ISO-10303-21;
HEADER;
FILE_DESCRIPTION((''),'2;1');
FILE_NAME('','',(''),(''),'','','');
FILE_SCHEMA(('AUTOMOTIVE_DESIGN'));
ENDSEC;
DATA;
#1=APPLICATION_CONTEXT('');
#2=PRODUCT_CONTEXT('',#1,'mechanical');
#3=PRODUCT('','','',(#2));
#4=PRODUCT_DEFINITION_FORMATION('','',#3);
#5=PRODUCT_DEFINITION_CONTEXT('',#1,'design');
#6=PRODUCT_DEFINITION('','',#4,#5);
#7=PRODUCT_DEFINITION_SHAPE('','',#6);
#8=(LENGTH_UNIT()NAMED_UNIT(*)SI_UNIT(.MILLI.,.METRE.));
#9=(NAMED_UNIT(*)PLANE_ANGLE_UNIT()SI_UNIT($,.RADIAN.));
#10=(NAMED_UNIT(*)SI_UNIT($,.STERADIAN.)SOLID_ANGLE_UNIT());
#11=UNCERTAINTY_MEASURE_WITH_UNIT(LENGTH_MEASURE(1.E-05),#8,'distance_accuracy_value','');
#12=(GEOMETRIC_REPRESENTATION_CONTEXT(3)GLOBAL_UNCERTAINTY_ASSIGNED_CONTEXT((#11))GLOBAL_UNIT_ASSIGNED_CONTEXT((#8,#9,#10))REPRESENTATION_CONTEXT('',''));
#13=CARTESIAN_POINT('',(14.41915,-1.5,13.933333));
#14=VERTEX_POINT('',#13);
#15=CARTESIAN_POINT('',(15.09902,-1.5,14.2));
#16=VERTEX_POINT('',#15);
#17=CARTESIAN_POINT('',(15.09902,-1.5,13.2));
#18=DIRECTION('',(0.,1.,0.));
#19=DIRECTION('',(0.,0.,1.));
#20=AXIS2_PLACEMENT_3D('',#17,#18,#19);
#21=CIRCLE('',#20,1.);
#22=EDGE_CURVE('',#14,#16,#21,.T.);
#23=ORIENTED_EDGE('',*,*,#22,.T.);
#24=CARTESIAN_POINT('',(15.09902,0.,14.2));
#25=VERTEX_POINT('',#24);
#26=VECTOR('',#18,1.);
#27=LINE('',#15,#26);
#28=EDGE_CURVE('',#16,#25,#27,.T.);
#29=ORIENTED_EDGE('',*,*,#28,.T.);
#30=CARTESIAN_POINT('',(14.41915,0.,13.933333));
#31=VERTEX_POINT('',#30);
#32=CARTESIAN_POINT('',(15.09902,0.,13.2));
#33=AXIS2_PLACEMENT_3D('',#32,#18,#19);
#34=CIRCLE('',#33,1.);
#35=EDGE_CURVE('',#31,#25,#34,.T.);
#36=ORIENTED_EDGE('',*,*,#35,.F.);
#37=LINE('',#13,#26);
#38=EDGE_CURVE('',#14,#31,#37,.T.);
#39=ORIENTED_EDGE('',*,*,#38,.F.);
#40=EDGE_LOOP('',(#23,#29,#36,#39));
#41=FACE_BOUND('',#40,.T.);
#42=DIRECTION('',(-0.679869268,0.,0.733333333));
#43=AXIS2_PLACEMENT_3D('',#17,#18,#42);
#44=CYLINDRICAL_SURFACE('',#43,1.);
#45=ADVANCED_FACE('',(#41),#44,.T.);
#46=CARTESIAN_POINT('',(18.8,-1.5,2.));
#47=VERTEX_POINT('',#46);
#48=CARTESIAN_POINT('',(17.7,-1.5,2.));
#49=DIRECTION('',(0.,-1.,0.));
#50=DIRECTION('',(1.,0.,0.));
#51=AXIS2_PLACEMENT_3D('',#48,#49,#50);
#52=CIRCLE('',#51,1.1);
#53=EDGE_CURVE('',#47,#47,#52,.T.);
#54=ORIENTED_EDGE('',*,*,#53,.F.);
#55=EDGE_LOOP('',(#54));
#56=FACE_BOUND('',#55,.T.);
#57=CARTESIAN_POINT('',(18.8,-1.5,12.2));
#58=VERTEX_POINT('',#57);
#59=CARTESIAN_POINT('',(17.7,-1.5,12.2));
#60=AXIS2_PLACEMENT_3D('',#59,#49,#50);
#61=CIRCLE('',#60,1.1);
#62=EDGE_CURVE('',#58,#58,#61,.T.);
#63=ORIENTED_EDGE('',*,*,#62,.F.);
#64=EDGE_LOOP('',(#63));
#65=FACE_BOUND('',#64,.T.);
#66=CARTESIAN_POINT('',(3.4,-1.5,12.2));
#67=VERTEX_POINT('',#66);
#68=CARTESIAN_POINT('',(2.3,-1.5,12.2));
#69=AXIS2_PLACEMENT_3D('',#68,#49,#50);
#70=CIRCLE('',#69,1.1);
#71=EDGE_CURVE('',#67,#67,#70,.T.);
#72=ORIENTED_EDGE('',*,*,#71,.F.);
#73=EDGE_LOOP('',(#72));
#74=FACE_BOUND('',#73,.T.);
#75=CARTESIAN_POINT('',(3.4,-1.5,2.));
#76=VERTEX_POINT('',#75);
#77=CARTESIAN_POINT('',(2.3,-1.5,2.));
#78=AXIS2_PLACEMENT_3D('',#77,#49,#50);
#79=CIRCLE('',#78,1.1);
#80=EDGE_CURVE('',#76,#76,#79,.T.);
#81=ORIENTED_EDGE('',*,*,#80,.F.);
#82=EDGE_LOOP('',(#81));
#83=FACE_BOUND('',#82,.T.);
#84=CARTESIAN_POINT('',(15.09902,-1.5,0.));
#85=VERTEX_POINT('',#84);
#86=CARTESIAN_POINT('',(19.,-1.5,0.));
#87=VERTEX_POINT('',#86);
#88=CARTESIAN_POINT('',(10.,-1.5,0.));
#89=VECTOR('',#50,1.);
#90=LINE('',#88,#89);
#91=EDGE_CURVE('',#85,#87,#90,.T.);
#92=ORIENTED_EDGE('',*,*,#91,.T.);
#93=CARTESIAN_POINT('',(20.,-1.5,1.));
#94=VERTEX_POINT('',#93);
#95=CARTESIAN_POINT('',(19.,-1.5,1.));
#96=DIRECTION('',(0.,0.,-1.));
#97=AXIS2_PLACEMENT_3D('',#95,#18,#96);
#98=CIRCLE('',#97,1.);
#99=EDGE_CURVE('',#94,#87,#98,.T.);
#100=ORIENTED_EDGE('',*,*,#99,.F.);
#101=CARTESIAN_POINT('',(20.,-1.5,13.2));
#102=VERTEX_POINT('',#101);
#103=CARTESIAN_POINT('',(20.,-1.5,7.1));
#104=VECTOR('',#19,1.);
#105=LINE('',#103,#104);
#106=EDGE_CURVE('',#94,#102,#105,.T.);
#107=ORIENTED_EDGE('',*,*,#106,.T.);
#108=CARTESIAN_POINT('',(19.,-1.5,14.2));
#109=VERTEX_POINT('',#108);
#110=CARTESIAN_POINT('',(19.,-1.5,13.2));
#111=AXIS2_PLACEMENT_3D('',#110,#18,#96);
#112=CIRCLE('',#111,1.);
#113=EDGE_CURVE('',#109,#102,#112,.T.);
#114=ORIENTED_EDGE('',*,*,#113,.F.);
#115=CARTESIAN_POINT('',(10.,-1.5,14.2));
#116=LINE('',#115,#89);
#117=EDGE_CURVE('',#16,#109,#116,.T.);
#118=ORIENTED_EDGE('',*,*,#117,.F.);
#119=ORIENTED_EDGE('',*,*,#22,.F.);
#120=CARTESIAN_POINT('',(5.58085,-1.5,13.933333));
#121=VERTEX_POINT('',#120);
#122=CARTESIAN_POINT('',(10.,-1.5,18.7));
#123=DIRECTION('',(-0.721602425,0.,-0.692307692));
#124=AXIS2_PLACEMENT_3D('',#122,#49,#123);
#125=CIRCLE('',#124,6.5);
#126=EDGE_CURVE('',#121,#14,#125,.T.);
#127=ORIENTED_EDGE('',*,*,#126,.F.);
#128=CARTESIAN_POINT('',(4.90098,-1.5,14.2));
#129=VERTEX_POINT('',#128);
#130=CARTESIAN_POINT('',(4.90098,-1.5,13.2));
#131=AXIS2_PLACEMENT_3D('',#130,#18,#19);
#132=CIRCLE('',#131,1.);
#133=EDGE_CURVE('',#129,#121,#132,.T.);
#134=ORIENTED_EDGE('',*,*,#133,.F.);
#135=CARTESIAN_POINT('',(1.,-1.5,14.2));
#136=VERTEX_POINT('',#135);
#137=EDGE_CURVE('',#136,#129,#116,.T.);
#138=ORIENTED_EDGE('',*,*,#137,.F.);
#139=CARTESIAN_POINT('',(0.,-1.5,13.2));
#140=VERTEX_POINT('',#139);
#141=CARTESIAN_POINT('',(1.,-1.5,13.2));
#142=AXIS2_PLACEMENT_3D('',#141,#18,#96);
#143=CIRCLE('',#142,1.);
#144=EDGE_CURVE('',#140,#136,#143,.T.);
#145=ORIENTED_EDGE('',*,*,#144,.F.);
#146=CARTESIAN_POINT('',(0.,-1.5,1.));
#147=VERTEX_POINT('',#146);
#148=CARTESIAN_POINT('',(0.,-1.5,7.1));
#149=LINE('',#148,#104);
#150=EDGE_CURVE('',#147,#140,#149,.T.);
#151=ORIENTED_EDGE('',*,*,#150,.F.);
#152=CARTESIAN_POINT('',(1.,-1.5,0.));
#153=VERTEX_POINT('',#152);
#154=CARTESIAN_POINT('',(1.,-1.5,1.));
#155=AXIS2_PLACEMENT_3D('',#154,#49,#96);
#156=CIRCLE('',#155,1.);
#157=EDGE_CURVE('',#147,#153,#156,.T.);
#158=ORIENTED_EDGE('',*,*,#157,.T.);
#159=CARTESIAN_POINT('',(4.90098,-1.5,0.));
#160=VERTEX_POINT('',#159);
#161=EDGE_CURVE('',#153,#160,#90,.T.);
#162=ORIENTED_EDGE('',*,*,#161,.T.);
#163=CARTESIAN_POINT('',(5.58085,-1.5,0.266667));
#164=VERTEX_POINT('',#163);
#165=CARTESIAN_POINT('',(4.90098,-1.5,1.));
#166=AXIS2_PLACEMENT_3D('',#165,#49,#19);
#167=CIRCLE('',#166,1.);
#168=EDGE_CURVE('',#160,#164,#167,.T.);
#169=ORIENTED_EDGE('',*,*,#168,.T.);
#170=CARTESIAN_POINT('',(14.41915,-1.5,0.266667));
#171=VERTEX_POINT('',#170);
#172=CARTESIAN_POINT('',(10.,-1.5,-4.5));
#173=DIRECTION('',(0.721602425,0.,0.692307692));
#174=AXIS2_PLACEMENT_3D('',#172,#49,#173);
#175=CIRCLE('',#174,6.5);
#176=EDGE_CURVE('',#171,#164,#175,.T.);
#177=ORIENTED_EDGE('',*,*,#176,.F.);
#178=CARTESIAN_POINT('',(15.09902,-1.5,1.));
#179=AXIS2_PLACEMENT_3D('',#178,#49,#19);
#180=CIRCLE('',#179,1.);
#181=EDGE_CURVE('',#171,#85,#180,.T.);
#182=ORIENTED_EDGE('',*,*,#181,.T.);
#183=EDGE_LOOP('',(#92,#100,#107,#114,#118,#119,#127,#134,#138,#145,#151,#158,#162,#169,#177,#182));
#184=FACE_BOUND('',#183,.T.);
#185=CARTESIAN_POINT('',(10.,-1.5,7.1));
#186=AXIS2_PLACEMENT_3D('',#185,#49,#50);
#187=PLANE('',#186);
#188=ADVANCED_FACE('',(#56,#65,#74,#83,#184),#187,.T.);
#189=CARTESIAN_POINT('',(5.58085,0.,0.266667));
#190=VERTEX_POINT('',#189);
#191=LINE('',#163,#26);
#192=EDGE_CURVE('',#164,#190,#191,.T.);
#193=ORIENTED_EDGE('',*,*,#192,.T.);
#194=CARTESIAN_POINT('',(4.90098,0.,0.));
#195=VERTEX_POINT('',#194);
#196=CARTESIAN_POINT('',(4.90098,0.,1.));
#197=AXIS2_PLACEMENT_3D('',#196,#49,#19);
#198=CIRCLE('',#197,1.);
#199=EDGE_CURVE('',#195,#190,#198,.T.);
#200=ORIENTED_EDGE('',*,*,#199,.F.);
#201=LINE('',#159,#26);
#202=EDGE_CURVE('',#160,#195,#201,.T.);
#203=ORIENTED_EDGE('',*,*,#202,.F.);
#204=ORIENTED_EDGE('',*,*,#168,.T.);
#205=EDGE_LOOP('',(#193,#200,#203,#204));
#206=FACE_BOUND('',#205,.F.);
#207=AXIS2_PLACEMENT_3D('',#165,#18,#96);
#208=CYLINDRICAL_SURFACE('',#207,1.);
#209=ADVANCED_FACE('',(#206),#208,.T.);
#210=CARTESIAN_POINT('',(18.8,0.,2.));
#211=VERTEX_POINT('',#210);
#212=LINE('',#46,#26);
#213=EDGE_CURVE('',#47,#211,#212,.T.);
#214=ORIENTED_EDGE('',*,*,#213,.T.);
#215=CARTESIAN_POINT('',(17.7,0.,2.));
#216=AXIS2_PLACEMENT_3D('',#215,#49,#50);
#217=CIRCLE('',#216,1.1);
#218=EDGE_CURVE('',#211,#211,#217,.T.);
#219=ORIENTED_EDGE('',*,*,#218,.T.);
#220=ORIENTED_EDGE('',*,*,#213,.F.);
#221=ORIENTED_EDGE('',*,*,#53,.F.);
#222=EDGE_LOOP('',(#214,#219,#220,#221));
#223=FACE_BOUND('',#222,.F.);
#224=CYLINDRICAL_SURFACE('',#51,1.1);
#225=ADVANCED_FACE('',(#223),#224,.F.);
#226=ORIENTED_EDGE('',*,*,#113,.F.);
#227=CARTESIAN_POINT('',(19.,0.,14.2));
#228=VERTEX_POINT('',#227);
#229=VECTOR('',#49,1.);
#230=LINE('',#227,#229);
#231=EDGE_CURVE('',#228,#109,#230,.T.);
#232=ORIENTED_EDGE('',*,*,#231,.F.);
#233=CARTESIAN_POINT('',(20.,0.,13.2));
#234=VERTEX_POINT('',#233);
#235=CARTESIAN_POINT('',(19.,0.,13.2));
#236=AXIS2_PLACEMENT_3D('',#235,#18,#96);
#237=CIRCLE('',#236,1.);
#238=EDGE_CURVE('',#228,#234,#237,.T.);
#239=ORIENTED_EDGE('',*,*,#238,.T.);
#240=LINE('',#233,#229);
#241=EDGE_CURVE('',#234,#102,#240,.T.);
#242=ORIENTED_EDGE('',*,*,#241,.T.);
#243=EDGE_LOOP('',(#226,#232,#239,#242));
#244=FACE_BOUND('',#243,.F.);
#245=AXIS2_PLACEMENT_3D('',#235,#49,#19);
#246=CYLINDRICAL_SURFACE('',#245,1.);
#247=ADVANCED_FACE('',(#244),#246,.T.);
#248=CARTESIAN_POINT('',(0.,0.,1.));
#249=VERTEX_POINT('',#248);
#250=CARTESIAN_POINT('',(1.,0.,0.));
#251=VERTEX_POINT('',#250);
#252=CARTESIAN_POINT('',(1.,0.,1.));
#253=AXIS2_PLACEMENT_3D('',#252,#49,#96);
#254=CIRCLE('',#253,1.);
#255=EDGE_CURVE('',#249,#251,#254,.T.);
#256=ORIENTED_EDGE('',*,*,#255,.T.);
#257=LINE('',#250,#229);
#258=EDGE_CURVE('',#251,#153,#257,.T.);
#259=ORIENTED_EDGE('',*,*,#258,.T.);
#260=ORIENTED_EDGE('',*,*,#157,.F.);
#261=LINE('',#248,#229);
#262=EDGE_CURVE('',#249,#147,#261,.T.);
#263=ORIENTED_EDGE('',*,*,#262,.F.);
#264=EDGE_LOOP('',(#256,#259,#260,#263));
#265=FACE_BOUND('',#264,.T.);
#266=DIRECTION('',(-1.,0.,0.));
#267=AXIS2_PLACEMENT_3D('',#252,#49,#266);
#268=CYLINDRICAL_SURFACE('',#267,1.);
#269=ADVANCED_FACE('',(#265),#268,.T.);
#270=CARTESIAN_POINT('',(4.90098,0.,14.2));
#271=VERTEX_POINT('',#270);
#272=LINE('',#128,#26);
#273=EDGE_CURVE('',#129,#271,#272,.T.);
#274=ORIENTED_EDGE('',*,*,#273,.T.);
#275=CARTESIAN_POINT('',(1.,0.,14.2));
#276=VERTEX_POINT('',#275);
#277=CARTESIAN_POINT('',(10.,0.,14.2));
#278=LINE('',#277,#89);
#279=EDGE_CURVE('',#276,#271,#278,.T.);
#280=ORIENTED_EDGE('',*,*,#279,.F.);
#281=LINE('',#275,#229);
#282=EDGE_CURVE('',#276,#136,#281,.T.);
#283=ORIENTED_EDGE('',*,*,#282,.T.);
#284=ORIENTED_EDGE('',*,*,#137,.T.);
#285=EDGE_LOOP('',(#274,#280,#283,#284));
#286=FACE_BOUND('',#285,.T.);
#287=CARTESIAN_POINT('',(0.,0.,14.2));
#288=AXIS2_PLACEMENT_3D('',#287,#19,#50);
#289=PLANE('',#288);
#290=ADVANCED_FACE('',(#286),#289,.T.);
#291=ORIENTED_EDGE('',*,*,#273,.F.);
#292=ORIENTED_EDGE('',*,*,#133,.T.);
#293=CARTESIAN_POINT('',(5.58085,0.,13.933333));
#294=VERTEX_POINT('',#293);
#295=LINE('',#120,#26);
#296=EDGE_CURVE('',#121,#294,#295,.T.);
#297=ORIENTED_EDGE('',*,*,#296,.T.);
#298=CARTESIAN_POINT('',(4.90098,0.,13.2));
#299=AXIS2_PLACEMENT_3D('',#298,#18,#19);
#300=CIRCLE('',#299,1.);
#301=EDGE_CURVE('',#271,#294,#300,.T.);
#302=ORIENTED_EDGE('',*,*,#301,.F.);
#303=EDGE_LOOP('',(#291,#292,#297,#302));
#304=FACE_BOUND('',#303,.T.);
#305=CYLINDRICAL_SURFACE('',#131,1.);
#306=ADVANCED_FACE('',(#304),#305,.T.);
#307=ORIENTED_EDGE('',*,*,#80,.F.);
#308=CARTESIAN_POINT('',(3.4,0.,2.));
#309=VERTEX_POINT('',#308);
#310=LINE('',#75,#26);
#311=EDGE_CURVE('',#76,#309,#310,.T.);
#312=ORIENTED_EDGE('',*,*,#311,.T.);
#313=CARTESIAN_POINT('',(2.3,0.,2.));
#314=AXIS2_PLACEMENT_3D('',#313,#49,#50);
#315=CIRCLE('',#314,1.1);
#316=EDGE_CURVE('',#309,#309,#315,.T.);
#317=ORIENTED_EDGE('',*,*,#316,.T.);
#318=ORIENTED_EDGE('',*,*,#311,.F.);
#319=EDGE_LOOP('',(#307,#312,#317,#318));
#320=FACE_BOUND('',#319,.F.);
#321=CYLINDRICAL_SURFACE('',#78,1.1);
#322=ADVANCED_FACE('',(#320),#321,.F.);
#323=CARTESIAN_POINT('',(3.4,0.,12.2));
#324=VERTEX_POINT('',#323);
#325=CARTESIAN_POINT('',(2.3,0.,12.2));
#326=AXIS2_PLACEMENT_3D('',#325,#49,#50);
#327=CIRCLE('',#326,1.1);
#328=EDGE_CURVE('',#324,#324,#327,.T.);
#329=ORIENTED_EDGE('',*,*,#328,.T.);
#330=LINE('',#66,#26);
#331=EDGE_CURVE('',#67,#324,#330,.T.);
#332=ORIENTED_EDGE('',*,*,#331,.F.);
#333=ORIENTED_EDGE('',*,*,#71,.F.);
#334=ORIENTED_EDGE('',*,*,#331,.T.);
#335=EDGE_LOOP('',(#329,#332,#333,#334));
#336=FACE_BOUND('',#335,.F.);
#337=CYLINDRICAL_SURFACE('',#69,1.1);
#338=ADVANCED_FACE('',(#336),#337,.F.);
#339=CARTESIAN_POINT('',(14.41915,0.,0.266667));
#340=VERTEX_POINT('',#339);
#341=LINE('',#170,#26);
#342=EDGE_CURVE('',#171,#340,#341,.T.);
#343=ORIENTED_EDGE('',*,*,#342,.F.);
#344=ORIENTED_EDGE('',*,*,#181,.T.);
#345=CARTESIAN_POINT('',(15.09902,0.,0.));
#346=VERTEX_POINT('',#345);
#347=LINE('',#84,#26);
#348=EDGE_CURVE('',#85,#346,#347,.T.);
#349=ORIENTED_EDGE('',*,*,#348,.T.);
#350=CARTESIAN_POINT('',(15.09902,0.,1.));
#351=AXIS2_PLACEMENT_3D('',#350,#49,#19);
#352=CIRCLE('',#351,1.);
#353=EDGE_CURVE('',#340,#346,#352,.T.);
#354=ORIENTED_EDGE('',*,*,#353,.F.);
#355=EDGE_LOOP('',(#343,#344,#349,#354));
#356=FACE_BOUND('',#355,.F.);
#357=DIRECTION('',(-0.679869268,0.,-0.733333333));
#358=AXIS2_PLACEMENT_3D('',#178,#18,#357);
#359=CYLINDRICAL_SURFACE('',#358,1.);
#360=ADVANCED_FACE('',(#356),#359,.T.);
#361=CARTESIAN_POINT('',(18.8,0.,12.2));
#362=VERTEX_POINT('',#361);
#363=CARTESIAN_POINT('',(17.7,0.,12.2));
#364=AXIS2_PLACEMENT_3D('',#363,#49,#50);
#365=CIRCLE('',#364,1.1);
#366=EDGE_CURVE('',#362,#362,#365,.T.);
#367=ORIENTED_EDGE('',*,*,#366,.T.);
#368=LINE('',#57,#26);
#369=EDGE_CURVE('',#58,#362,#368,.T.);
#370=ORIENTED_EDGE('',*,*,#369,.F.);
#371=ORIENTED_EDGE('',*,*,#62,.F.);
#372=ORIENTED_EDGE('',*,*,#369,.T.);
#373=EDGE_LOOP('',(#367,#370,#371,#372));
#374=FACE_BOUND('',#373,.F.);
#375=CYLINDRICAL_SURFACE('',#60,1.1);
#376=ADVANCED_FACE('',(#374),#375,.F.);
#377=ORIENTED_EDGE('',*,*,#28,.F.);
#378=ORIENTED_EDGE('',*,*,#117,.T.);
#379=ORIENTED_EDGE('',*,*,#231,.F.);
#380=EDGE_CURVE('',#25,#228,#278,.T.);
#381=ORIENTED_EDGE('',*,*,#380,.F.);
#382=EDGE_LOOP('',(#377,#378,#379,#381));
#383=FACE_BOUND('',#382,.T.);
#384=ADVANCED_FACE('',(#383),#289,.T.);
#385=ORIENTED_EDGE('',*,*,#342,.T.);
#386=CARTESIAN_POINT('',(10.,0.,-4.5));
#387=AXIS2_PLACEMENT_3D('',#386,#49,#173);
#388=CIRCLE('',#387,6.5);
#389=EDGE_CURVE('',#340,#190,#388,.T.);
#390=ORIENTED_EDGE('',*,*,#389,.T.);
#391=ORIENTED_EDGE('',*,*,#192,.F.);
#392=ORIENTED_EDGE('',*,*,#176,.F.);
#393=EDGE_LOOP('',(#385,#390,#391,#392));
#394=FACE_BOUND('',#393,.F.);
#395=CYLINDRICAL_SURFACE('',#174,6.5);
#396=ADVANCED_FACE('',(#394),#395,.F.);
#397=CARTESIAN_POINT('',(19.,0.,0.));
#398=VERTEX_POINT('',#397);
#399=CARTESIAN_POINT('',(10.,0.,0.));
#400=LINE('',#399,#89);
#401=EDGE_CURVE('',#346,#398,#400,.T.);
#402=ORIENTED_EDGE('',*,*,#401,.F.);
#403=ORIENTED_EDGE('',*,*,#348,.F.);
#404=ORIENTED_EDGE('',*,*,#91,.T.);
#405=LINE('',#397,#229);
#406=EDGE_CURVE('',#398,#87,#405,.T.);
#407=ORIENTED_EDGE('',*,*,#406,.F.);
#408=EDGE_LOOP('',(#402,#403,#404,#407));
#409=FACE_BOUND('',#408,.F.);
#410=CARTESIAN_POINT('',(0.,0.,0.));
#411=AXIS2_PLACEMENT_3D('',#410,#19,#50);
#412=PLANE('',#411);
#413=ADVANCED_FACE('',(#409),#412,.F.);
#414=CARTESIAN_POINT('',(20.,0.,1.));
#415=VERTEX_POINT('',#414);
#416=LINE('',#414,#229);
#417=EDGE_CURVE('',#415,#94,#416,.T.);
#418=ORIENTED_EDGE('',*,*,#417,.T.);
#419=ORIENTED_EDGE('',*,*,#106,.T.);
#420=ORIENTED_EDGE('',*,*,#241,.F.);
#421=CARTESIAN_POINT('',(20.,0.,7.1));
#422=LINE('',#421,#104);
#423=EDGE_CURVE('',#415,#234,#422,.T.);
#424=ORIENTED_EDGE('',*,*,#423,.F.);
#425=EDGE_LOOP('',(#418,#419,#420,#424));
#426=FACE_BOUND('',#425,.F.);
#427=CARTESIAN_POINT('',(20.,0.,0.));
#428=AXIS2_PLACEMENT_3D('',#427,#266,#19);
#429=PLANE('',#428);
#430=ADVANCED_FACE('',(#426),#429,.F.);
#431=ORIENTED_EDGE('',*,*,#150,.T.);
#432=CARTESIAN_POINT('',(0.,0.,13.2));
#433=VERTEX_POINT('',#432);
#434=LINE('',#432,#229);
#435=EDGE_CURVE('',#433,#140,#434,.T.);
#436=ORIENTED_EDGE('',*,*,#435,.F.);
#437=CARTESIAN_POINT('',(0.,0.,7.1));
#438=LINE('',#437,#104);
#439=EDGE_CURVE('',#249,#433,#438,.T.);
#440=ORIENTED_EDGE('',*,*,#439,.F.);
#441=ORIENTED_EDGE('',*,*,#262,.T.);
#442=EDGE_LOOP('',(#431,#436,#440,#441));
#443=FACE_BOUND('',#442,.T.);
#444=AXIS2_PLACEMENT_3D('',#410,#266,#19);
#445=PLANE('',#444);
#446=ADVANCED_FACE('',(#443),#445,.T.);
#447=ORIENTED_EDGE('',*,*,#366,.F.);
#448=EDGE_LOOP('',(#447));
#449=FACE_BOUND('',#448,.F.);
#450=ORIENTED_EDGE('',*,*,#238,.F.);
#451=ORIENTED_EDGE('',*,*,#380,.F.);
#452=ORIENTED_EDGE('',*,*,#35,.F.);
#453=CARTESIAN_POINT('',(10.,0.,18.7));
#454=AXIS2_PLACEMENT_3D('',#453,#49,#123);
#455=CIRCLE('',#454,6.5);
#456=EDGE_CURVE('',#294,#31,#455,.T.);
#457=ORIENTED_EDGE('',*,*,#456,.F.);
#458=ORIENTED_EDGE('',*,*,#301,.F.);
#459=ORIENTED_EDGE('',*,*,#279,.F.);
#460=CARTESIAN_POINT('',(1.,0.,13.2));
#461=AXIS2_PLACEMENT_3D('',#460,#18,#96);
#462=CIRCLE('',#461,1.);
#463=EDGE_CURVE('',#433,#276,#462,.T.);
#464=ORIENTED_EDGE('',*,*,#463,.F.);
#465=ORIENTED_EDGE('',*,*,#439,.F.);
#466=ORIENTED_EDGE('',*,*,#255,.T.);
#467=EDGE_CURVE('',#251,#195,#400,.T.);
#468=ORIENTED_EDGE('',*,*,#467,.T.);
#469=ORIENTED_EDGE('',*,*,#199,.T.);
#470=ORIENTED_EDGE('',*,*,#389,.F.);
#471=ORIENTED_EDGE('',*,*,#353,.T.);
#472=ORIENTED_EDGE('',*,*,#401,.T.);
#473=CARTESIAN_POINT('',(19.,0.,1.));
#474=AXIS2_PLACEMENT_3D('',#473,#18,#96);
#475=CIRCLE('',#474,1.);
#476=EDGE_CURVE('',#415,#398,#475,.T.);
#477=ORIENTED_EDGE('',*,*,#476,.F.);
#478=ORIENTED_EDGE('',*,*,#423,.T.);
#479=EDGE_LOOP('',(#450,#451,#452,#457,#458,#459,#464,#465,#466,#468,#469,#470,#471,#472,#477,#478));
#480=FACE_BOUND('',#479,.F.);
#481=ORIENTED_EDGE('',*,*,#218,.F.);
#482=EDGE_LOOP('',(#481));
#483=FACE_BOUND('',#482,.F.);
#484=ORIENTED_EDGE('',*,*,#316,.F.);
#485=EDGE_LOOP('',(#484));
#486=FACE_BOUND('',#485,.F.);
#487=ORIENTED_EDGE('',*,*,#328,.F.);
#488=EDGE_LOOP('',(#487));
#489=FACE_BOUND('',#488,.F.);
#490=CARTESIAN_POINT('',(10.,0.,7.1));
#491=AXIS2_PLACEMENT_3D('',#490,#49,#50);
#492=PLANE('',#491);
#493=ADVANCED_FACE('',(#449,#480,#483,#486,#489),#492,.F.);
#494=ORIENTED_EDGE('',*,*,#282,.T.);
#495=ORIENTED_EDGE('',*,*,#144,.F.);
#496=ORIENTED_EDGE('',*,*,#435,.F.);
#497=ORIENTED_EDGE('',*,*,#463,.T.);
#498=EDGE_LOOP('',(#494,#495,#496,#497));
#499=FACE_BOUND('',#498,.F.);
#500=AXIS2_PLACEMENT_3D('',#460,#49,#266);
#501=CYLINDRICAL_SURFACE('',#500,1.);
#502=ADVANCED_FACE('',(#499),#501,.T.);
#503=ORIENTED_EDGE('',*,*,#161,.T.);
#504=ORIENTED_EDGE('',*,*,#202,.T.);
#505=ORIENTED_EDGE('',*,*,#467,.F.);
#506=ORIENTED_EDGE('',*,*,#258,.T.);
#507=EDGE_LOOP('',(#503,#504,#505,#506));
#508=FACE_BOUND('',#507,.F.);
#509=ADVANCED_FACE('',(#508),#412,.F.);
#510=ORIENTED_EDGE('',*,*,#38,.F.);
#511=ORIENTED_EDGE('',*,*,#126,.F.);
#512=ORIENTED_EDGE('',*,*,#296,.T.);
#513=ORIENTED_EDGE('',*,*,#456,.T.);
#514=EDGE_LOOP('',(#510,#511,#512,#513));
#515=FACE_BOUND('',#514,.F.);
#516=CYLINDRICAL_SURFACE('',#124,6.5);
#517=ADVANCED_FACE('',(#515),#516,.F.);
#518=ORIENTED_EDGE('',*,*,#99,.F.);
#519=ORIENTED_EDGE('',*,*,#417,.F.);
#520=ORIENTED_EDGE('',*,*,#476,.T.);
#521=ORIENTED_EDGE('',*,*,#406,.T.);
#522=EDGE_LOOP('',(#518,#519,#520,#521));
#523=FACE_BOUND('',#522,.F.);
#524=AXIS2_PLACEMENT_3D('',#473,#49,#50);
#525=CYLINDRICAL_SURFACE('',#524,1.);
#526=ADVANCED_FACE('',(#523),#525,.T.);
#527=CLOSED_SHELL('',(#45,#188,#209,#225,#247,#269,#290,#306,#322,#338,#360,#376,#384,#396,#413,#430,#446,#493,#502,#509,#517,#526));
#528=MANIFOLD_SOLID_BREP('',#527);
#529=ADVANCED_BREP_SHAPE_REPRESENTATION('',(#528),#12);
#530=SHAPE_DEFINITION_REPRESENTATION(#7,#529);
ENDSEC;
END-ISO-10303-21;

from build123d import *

# Parameters (mm, degrees)
F0_W     = 20
F0_H     = 14.2
F1_DEPTH = 1.5
F2_R     = 1.1
F3_DEPTH = 1.5
F4_R     = 1


with BuildPart() as f1:
    # F0 (on Front) → F1 (new body)
    with BuildSketch(Plane.XZ):
        with Locations((10, 7.1)):
            Rectangle(F0_W, F0_H)
    extrude(amount=F1_DEPTH)

    # F2 (on face) → F3 (cut, through all)
    with BuildSketch(Plane.XZ.offset(1.5)):
        with Locations((2.3, 12.2)):
            Circle(F2_R)
        with Locations((17.7, 12.2)):
            Circle(F2_R)
        with Locations((2.3, 2)):
            Circle(F2_R)
        with Locations((17.7, 2)):
            Circle(F2_R)
        with BuildLine():
            Line((14.6904157598, 14.2), (5.3095842402, 14.2))
            ThreePointArc((5.3095842402, 14.2), (10, 12.2), (14.6904157598, 14.2))
        make_face()
        with BuildLine():
            ThreePointArc((14.6904157598, 0), (10, 2), (5.3095842402, 0))
            Line((5.3095842402, 0), (14.6904157598, 0))
        make_face()
    extrude(amount=-F3_DEPTH, mode=Mode.SUBTRACT)

    # F4
    f4_edges = [f1.edges().sort_by_distance(p)[0] for p in [
        (20, -0.75, 14.2),
        (20, -0.75, 0),
        (0, -0.75, 14.2),
        (0, -0.75, 0),
        (5.309584, -0.75, 14.2),
        (14.690416, -0.75, 14.2),
        (5.309584, -0.75, 0),
        (14.690416, -0.75, 0),
    ]]
    fillet(f4_edges, radius=F4_R)


solid = f1.part
